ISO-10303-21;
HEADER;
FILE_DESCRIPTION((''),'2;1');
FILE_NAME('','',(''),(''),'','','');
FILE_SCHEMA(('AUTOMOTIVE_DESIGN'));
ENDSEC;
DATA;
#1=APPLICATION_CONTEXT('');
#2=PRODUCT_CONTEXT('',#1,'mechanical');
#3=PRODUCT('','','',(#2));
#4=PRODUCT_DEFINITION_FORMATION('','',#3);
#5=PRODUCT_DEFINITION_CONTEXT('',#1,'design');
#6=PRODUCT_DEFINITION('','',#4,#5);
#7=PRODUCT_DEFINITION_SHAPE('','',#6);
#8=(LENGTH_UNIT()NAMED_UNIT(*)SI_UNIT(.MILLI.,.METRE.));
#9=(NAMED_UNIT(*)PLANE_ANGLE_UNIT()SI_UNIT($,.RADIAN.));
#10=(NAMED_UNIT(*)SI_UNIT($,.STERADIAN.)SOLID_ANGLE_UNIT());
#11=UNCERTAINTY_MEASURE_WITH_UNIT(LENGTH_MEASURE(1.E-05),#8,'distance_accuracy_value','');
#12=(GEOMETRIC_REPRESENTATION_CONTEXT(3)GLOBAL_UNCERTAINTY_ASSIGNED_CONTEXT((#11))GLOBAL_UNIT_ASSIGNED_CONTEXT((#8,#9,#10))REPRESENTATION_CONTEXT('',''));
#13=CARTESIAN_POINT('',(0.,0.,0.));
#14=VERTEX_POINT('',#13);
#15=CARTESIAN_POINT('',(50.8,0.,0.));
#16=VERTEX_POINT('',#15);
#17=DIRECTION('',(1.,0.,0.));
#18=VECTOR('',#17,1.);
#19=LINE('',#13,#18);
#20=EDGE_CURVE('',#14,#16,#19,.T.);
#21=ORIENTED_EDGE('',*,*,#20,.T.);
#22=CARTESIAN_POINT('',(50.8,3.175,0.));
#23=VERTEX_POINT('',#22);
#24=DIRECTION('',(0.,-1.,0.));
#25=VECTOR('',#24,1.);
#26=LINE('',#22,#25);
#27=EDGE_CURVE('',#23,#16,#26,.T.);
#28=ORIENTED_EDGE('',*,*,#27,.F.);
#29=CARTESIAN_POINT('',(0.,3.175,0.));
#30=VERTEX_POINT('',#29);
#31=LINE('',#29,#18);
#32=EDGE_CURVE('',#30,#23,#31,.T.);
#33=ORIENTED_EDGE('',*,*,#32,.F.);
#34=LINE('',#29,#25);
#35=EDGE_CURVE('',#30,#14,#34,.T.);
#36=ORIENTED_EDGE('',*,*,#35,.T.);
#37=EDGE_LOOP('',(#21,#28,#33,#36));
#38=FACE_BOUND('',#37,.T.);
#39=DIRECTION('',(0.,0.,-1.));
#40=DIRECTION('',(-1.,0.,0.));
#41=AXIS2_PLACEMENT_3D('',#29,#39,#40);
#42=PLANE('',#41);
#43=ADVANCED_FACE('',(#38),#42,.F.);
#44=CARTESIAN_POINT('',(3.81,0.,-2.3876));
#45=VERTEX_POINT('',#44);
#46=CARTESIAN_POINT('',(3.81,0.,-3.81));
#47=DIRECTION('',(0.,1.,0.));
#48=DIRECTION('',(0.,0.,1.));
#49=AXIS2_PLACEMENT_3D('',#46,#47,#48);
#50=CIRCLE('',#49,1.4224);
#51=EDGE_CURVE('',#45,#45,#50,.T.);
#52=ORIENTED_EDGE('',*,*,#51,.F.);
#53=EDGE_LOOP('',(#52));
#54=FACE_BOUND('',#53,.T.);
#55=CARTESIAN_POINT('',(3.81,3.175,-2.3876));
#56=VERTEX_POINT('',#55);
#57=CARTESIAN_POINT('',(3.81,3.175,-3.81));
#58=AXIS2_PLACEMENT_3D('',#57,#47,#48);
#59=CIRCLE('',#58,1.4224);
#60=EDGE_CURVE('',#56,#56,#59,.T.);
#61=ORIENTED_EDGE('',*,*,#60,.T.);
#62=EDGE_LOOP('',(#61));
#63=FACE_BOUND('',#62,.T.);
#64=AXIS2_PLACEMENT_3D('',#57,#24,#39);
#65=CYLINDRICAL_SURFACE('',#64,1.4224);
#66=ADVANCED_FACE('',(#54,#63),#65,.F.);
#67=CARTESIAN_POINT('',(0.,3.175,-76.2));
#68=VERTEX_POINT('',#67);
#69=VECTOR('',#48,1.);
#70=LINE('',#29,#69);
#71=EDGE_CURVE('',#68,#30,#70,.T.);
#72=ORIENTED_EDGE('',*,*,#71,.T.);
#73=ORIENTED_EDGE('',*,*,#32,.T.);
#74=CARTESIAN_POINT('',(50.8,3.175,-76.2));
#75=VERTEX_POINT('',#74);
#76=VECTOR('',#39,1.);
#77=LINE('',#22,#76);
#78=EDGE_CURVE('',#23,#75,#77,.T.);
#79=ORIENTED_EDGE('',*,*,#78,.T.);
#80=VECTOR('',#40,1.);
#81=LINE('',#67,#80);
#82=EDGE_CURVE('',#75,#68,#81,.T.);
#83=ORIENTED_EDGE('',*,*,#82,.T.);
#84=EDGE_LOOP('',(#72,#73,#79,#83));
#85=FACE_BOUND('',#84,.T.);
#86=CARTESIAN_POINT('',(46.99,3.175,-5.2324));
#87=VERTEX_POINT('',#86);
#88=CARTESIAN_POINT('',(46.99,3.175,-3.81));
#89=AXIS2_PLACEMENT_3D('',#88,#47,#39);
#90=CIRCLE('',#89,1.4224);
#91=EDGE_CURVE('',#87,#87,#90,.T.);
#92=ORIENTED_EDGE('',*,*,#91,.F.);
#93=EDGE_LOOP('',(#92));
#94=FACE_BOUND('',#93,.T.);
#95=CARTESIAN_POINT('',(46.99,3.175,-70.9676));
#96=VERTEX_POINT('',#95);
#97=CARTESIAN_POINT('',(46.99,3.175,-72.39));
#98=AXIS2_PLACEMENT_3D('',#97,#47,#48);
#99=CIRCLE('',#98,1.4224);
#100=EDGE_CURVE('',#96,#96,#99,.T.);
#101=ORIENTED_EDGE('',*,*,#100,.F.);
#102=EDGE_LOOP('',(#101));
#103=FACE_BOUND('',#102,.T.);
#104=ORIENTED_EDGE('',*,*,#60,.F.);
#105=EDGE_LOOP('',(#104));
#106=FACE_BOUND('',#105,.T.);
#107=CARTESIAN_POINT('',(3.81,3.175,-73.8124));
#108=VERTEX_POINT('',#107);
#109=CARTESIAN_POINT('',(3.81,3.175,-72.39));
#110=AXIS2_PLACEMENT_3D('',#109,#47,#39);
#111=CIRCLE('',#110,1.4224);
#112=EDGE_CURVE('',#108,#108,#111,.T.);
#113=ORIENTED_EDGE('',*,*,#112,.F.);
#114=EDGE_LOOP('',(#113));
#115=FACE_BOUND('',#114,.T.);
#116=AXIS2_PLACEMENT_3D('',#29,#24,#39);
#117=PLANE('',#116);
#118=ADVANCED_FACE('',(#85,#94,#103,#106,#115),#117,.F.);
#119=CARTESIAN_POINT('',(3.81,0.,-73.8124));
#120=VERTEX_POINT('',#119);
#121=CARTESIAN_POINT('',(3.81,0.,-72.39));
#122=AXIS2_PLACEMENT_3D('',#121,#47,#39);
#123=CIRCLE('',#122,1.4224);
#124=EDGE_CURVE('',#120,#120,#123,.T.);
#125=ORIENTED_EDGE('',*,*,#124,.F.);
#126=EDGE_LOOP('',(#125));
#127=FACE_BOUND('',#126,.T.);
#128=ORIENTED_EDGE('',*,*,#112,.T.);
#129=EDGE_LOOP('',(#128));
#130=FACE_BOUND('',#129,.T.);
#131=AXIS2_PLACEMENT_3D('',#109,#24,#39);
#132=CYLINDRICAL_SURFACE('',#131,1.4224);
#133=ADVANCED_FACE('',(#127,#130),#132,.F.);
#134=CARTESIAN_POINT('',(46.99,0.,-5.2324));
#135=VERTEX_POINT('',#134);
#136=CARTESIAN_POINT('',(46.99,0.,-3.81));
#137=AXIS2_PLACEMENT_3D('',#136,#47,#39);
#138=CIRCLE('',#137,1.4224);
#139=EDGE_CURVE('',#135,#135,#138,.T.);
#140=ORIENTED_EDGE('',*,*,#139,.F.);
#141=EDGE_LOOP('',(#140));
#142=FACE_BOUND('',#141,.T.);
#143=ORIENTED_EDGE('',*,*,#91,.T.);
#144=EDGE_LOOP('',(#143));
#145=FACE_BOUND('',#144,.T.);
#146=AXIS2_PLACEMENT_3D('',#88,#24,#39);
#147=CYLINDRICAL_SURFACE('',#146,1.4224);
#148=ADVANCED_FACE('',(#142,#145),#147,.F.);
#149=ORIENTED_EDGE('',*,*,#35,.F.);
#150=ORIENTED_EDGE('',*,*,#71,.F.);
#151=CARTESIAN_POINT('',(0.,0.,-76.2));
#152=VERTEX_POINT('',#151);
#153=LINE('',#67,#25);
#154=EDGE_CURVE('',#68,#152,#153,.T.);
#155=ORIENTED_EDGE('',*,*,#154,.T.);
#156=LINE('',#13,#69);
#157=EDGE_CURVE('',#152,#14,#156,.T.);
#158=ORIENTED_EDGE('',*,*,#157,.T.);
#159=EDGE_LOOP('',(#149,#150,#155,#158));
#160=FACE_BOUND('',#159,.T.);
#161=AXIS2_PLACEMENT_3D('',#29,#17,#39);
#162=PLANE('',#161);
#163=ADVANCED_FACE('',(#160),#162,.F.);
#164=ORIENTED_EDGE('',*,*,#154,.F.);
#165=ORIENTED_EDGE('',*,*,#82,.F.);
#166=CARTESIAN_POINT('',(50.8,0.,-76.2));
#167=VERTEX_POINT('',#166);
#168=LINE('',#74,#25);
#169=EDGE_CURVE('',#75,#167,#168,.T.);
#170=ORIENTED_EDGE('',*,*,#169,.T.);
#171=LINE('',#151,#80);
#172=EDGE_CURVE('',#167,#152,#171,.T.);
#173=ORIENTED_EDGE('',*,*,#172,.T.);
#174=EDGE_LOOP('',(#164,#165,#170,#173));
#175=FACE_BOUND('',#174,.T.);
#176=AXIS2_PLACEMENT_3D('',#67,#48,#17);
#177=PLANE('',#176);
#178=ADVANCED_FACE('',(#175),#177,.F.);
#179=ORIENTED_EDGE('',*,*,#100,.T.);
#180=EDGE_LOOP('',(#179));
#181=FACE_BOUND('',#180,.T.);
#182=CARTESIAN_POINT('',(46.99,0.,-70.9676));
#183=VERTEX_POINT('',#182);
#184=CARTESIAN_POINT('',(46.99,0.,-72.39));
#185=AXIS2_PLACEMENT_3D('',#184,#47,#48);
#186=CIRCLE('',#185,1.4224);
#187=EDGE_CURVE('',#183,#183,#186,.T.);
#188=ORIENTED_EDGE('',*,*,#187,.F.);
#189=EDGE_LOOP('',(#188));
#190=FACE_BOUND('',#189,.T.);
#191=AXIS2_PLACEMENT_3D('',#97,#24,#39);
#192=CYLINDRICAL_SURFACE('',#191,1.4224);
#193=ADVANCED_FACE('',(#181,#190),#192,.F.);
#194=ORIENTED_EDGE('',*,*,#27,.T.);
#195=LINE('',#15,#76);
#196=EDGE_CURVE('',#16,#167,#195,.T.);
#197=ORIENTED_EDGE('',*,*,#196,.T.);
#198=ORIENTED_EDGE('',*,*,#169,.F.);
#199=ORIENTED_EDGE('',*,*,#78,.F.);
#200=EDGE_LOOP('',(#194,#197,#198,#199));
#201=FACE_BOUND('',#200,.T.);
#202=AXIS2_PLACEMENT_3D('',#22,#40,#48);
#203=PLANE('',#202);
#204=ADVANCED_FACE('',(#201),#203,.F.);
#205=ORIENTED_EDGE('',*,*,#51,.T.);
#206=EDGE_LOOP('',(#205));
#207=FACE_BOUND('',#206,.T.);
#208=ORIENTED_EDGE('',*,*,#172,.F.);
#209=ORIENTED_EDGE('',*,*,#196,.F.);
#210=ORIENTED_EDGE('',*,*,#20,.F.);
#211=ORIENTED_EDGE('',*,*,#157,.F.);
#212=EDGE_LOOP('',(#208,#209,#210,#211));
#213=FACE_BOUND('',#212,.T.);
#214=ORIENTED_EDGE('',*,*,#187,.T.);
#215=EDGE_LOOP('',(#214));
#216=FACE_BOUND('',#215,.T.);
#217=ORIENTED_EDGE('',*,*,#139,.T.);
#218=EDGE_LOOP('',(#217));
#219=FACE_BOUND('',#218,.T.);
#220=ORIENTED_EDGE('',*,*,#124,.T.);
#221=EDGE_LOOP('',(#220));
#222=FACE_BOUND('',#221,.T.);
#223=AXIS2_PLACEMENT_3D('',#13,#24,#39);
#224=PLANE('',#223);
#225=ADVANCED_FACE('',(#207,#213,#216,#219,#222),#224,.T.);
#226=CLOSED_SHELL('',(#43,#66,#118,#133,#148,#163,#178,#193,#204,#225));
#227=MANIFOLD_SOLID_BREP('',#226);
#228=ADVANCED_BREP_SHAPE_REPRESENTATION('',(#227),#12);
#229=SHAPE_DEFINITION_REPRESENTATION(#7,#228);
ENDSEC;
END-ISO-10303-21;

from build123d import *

# Parameters (mm, degrees)
SKETCH1_W           = 50.8
SKETCH1_H           = 76.2
SKETCH1_R           = 1.4224
BOSS_EXTRUDE1_DEPTH = 3.175


with BuildPart() as part:
    # Sketch1 → Boss-Extrude1 (new body)
    with BuildSketch(Plane(origin=(0, 0, 0), x_dir=(1, 0, 0), z_dir=(0, 1, 0))):
        with Locations((25.4, 38.1)):
            Rectangle(SKETCH1_W, SKETCH1_H)
        with Locations(Location((3.81, 3.81, 0), (0, 0, 270))):
            Circle(SKETCH1_R, mode=Mode.SUBTRACT)
        with Locations(Location((3.81, 72.39, 0), (0, 0, 90))):
            Circle(SKETCH1_R, mode=Mode.SUBTRACT)
        with Locations(Location((46.99, 3.81, 0), (0, 0, 90))):
            Circle(SKETCH1_R, mode=Mode.SUBTRACT)
        with Locations(Location((46.99, 72.39, 0), (0, 0, 270))):
            Circle(SKETCH1_R, mode=Mode.SUBTRACT)
    extrude(amount=BOSS_EXTRUDE1_DEPTH)


solid = part.part
